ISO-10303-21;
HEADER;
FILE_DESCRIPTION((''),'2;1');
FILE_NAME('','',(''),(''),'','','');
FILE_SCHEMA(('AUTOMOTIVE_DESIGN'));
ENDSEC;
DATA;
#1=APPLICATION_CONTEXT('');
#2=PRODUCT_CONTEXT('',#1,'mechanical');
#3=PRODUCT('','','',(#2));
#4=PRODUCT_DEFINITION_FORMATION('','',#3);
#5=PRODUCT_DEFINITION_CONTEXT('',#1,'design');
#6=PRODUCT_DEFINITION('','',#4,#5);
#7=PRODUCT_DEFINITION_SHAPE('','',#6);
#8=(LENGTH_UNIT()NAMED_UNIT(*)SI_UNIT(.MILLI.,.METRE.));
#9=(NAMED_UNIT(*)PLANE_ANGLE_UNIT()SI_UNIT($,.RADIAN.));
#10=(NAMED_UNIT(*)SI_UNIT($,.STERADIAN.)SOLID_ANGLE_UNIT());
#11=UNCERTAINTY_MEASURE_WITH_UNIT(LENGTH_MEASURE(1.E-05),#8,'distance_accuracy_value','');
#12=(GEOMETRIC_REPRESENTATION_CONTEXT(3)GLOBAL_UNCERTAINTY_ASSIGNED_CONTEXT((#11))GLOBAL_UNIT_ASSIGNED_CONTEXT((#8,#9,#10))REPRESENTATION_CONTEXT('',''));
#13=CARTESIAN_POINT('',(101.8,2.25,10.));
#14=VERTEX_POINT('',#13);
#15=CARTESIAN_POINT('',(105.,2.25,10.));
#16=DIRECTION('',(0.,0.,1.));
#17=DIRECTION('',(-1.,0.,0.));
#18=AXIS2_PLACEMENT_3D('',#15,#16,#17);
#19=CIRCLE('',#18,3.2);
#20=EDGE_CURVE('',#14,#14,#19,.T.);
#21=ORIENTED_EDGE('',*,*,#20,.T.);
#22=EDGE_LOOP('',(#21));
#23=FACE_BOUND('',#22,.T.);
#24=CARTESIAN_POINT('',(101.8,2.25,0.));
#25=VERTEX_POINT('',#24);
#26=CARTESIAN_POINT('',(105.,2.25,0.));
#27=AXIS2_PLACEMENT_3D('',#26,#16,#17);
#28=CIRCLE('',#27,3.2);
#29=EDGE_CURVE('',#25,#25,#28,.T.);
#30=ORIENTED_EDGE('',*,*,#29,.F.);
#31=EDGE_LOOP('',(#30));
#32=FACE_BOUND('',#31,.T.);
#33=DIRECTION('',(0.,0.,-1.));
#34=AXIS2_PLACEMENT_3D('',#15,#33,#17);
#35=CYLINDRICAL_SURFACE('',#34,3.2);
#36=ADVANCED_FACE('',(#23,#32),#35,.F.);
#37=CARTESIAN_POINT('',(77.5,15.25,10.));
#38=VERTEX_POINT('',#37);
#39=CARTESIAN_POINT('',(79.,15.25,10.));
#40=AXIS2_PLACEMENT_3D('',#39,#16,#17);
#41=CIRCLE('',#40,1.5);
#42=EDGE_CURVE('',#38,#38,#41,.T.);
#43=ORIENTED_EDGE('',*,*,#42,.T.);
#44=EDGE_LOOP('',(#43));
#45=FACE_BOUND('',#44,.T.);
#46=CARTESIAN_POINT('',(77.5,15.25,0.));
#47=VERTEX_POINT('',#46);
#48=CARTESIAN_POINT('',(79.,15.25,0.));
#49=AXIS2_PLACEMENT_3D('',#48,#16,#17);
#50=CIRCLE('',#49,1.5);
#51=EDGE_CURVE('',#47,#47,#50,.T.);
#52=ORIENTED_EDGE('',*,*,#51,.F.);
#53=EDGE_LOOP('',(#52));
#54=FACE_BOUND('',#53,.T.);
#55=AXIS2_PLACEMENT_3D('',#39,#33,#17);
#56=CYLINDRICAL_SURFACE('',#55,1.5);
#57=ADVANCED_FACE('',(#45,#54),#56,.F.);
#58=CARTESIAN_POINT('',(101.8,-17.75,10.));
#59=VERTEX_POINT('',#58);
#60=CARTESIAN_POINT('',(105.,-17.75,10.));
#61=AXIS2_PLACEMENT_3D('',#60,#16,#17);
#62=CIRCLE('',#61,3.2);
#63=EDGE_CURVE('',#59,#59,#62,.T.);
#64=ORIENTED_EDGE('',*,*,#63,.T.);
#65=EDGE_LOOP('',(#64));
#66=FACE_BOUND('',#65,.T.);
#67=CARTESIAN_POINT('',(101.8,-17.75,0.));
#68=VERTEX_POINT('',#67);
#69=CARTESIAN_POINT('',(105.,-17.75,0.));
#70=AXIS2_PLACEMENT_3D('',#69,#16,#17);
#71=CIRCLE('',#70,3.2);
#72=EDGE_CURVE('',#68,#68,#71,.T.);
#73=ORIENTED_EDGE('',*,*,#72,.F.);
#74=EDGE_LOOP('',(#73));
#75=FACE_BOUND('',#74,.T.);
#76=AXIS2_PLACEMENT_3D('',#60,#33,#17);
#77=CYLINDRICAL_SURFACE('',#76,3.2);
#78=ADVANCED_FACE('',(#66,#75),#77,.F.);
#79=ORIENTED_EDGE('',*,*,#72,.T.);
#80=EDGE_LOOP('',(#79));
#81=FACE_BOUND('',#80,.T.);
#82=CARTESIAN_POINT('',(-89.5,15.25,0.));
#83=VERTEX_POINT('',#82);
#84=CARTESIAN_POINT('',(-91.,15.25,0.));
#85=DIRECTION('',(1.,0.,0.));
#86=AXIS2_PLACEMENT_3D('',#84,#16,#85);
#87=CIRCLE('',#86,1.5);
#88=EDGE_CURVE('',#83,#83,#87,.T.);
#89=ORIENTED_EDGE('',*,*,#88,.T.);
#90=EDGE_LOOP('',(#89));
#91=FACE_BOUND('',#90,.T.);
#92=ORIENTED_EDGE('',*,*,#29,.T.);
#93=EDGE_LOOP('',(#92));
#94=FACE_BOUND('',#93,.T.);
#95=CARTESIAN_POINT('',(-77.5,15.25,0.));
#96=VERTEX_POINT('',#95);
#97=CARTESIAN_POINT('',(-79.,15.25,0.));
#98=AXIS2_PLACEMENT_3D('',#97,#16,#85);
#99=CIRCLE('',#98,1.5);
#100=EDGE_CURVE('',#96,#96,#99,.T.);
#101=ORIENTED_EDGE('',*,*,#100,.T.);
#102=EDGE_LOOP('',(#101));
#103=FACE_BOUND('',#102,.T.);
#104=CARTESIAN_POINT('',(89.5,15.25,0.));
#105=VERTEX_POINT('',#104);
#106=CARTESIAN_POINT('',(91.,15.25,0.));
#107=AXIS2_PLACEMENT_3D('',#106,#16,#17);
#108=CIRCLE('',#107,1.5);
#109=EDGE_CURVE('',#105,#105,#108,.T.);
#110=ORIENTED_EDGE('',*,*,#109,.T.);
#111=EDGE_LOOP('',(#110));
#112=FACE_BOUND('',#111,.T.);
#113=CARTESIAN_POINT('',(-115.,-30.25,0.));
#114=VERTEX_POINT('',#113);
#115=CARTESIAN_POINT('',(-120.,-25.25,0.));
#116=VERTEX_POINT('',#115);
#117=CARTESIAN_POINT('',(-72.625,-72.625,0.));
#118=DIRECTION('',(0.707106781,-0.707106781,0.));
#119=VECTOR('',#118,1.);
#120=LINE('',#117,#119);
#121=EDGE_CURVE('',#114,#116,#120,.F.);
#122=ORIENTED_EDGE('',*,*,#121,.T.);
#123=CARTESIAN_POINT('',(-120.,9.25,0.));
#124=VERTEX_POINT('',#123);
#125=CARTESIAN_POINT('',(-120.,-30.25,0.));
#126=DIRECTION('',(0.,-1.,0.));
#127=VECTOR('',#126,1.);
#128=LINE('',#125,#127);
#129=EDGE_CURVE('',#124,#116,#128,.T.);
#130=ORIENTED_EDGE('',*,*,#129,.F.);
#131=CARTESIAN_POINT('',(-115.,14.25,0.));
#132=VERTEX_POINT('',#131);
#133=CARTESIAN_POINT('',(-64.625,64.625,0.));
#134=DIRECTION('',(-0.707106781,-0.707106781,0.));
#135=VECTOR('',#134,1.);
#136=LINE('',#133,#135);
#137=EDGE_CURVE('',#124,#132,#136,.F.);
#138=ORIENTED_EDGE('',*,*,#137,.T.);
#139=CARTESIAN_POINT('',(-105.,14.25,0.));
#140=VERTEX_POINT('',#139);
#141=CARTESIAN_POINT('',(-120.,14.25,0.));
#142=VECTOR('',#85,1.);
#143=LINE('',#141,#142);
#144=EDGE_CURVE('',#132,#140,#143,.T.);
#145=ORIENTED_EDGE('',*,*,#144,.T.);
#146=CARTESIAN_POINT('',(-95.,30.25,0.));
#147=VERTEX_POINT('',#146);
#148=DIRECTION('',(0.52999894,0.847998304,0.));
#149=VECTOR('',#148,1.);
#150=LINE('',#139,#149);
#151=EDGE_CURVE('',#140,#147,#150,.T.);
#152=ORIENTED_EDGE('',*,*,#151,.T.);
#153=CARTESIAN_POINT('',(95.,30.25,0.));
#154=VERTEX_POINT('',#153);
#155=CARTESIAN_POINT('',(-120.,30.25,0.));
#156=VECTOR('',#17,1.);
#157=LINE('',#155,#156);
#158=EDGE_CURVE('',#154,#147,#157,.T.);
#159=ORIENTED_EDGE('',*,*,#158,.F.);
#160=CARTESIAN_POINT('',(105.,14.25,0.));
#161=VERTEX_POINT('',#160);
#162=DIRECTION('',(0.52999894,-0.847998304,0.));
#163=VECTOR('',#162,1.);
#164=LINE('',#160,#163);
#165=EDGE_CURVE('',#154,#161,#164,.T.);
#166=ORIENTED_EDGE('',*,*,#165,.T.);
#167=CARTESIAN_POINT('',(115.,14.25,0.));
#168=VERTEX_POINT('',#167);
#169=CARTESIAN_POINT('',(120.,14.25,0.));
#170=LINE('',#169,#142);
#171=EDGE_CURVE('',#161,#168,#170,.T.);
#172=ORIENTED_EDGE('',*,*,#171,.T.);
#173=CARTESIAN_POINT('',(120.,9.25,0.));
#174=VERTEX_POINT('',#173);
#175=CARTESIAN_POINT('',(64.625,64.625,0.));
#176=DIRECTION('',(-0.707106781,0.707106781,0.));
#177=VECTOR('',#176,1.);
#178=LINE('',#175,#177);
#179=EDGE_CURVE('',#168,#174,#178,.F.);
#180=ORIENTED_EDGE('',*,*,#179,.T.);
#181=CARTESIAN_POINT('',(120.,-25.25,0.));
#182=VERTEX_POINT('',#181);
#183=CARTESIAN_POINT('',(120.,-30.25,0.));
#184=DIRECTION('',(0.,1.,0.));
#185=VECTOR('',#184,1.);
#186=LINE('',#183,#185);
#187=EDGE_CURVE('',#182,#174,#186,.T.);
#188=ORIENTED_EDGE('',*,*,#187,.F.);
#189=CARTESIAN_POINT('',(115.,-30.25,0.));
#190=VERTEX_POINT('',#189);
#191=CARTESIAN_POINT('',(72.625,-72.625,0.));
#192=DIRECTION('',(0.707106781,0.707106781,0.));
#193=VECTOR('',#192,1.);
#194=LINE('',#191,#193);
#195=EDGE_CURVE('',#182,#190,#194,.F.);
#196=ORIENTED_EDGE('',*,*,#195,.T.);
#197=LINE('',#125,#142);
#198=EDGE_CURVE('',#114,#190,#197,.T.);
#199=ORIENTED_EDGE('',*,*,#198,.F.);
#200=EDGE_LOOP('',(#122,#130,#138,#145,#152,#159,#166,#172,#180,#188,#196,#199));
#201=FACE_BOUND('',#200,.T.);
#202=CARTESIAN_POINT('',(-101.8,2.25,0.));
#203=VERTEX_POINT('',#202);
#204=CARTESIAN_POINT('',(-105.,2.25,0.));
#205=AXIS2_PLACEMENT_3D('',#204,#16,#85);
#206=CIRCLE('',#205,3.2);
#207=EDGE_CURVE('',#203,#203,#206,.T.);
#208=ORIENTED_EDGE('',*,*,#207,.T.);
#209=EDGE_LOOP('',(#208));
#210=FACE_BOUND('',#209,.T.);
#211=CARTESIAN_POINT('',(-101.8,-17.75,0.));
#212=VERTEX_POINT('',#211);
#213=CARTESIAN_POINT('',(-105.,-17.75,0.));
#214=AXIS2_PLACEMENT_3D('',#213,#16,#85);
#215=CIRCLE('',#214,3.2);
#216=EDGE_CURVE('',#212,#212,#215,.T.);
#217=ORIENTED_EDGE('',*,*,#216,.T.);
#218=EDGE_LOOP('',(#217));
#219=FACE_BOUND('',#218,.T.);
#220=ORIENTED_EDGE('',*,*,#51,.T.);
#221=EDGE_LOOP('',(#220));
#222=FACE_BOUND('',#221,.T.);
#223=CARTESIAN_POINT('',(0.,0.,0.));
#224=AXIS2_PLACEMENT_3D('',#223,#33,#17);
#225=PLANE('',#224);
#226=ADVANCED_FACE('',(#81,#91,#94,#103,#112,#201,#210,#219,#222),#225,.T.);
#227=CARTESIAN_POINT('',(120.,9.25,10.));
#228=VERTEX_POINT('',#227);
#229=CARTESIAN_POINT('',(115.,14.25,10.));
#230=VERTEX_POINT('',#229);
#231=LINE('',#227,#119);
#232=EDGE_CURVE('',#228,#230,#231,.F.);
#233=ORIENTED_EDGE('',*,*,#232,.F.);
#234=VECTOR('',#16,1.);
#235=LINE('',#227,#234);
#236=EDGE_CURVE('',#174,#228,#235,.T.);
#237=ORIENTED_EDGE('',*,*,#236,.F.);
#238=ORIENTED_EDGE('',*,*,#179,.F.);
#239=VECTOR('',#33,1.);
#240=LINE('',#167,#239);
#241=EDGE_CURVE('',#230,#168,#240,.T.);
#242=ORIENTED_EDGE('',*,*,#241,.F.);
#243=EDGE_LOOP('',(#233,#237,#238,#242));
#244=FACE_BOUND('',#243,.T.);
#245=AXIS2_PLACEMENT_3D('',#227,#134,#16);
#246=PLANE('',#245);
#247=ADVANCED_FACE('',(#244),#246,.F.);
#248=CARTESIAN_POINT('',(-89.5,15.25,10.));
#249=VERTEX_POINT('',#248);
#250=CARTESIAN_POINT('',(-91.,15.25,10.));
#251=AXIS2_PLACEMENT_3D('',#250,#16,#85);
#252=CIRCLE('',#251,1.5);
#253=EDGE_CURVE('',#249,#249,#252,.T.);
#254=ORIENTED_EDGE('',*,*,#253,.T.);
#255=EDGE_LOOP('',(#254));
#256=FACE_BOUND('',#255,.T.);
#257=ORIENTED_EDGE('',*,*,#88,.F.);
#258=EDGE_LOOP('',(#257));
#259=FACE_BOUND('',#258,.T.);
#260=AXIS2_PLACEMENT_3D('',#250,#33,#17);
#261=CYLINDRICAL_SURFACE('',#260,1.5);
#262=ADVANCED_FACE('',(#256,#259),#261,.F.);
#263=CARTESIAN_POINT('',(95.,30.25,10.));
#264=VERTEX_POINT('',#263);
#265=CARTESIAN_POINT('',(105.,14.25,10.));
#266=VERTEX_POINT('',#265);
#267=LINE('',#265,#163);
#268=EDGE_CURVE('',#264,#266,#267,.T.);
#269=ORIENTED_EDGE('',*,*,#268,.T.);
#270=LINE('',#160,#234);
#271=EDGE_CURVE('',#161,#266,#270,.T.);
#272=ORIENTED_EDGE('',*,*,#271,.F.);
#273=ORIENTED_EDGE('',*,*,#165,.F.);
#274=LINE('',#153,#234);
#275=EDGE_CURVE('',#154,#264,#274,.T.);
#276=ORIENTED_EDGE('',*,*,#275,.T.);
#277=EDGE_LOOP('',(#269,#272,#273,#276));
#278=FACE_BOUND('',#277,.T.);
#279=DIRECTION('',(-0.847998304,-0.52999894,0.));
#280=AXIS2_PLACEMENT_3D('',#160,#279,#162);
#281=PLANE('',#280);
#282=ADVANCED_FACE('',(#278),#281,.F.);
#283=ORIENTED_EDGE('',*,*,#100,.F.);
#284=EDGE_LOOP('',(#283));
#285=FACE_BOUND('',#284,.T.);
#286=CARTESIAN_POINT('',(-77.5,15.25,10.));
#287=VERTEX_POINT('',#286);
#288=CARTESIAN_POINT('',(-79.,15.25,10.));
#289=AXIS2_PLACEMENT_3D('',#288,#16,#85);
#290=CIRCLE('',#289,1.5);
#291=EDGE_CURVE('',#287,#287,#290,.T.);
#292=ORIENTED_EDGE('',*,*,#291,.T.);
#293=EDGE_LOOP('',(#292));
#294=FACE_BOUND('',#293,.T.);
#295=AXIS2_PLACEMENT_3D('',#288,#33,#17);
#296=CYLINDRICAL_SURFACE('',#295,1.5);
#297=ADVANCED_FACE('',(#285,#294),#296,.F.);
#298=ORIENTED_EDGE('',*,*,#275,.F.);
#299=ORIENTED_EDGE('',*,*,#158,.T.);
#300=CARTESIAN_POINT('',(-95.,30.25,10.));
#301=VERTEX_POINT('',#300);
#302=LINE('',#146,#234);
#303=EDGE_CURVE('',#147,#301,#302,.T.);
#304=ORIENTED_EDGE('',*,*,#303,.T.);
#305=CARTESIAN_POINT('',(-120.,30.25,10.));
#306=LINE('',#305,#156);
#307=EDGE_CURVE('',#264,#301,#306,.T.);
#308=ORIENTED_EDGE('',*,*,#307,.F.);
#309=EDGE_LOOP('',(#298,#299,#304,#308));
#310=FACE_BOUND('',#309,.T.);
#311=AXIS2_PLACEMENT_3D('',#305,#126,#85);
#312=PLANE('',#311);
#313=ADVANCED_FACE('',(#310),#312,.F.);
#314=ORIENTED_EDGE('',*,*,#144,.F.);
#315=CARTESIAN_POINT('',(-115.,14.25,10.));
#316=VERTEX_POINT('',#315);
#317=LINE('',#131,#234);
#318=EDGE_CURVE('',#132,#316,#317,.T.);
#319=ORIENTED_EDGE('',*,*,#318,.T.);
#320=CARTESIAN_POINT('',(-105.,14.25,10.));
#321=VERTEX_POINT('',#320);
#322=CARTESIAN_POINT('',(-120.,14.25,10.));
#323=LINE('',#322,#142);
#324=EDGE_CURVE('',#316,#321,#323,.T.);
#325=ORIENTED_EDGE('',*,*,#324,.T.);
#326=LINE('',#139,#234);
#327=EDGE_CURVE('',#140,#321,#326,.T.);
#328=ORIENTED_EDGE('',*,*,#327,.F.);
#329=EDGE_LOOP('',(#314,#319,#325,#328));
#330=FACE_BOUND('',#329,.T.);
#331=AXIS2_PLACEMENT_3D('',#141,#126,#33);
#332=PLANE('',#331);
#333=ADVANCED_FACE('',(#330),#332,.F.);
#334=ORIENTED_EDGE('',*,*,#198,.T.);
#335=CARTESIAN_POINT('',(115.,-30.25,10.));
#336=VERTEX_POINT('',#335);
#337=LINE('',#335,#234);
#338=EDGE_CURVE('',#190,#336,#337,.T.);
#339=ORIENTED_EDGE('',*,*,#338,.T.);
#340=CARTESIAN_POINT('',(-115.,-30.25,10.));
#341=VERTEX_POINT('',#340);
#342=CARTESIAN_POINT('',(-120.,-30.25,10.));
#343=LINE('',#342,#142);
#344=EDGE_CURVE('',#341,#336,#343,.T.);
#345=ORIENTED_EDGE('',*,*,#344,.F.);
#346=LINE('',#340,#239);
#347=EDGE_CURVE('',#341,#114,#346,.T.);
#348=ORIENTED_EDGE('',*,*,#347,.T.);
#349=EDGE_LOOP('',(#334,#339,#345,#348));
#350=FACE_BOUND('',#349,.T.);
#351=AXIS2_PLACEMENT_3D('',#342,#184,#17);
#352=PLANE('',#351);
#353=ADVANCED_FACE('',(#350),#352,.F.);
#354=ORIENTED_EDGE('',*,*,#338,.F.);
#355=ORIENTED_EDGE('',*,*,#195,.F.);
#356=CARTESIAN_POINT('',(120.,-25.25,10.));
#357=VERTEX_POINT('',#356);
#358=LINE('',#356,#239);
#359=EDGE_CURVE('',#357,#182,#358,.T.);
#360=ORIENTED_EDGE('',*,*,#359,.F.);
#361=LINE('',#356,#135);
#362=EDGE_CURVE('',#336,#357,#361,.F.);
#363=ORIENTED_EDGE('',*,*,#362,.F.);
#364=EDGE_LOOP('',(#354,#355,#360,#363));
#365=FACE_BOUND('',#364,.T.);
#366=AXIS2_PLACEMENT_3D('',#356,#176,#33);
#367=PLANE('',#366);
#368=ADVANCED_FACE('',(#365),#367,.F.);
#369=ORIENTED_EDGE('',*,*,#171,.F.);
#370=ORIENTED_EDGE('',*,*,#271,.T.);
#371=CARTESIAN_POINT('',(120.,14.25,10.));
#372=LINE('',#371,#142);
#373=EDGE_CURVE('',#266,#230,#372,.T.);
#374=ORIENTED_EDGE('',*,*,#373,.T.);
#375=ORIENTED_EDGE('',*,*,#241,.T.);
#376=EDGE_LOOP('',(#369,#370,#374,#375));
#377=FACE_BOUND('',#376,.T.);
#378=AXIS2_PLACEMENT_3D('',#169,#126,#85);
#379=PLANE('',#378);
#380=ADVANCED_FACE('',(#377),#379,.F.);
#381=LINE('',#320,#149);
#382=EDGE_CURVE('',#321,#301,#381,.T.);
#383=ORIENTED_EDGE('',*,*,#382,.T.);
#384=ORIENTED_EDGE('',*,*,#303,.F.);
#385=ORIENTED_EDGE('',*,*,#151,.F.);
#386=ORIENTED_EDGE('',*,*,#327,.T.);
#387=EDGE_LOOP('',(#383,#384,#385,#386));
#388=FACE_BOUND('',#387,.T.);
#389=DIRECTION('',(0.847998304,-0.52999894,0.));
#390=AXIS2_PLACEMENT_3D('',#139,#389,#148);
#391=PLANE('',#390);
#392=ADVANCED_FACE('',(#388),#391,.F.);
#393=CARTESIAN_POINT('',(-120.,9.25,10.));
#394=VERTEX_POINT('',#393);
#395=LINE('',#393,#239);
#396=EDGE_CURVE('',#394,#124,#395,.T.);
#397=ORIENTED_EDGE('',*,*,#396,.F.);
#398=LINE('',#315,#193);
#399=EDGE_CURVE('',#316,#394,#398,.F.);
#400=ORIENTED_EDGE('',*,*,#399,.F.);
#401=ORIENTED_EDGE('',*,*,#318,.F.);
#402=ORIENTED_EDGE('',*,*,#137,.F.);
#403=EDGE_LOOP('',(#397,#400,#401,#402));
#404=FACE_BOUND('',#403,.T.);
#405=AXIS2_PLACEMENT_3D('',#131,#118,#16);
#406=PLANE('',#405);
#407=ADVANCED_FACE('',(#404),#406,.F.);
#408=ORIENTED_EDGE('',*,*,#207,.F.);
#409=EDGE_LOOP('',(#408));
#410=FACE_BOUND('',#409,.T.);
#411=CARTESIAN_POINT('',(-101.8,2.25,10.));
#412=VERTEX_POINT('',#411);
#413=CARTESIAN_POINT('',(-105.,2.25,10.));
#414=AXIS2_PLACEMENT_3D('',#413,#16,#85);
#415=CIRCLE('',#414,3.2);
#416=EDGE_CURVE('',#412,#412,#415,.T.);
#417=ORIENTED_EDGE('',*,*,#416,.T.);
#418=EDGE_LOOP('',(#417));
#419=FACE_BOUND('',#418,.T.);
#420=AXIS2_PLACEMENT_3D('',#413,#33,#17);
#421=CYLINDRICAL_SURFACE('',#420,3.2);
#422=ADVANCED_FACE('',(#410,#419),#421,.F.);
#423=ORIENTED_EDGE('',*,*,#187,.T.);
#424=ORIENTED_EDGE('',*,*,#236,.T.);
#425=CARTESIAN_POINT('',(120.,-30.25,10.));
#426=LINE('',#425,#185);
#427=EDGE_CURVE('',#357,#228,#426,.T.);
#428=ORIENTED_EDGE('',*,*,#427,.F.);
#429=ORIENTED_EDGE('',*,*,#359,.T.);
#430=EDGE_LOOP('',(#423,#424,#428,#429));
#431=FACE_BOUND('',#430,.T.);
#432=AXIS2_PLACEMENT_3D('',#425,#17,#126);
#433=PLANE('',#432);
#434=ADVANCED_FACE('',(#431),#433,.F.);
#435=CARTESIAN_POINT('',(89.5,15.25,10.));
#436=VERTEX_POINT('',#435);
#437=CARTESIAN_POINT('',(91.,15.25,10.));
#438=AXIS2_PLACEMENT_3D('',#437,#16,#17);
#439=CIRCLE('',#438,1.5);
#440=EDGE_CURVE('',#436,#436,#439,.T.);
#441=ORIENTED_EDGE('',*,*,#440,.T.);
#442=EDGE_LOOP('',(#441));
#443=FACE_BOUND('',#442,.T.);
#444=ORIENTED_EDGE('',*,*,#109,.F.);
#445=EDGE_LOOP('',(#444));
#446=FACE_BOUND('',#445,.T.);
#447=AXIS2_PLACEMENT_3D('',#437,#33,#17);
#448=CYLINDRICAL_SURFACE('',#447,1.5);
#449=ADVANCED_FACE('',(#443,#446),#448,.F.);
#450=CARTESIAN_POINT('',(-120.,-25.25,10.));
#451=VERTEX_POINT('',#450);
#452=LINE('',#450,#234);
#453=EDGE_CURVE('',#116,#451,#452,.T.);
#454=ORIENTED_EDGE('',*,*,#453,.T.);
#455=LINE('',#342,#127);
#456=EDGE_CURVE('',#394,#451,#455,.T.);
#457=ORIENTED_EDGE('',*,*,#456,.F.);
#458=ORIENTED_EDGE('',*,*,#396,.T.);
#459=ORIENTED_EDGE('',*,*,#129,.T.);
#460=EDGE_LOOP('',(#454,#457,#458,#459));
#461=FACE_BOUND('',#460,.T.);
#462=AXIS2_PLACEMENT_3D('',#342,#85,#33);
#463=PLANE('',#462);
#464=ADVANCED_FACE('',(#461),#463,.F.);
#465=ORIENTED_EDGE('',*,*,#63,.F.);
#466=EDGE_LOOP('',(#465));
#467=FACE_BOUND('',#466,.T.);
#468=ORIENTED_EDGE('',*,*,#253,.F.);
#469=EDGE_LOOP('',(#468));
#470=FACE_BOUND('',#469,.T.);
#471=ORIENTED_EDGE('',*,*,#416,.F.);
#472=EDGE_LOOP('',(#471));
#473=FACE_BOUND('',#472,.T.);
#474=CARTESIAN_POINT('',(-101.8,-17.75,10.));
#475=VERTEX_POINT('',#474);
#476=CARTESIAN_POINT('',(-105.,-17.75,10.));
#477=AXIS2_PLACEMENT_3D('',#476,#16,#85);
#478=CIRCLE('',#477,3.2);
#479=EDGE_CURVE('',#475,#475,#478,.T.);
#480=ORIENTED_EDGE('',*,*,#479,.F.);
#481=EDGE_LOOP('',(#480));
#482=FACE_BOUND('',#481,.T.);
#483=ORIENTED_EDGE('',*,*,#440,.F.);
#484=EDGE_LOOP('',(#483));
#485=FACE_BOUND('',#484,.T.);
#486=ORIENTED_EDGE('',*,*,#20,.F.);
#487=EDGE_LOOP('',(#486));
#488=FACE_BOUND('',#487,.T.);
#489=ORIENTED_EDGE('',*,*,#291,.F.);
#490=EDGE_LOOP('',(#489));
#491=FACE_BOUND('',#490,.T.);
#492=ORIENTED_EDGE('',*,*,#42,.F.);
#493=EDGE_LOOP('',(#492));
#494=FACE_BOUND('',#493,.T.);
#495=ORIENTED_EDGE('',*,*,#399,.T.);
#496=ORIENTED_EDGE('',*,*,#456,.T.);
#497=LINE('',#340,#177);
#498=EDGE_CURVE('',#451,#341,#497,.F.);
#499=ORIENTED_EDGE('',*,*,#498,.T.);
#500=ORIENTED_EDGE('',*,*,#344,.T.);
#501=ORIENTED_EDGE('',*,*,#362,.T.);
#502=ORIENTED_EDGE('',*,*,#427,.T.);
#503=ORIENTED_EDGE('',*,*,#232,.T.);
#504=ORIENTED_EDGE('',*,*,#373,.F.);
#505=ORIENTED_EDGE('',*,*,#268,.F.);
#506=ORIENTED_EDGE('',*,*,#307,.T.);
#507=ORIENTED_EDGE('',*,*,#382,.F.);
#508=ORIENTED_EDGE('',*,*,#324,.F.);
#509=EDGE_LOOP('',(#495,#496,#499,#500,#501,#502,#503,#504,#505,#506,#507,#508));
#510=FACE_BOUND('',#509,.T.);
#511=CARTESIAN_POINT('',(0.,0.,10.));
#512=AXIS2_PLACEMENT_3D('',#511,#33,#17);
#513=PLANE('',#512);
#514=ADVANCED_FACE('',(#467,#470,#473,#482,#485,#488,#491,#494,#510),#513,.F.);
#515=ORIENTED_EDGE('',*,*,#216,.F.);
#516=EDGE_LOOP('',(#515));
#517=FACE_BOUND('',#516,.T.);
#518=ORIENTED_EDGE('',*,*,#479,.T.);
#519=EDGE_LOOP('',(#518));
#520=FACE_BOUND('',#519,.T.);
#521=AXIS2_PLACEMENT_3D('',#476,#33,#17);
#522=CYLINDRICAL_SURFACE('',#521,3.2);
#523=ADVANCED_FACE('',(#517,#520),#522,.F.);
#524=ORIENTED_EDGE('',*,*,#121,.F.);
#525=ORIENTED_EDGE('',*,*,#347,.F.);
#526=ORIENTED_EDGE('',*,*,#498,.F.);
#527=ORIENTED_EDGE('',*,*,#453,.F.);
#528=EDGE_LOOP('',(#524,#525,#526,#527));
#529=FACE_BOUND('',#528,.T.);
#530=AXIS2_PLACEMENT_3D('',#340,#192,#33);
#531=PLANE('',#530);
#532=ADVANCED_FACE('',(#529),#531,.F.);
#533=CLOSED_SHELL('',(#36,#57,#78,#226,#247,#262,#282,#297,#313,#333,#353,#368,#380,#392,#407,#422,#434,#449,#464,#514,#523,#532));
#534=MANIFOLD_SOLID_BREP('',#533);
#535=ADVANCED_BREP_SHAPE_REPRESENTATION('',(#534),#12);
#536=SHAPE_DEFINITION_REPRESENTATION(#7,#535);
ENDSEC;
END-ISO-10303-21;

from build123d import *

# Parameters (mm, degrees)
SKETCH1_W           = 240
SKETCH1_H           = 60.5
SKETCH1_R           = 3.2
SKETCH1_R_2         = 1.5
BOSS_EXTRUDE1_DEPTH = 10
CUT_EXTRUDE1_DEPTH  = 11
CHAMFER3_SIZE       = 5


with BuildPart() as part:
    # Sketch1 → Boss-Extrude1 (new body)
    with BuildSketch(Plane.XY):
        Rectangle(SKETCH1_W, SKETCH1_H)
        with Locations((-105, 2.25)):
            Circle(SKETCH1_R, mode=Mode.SUBTRACT)
        with Locations((-105, -17.75)):
            Circle(SKETCH1_R, mode=Mode.SUBTRACT)
        with Locations((105, -17.75)):
            Circle(SKETCH1_R, mode=Mode.SUBTRACT)
        with Locations((105, 2.25)):
            Circle(SKETCH1_R, mode=Mode.SUBTRACT)
        with Locations((-91, 15.25)):
            Circle(SKETCH1_R_2, mode=Mode.SUBTRACT)
        with Locations((-79, 15.25)):
            Circle(SKETCH1_R_2, mode=Mode.SUBTRACT)
        with Locations((79, 15.25)):
            Circle(SKETCH1_R_2, mode=Mode.SUBTRACT)
        with Locations((91, 15.25)):
            Circle(SKETCH1_R_2, mode=Mode.SUBTRACT)
    extrude(amount=BOSS_EXTRUDE1_DEPTH)

    # Sketch2 → Cut-Extrude1 (cut, through all)
    with BuildSketch(Plane.XY.offset(10)):
        Polygon((-120, 14.25), (-105, 14.25), (-95, 30.25), (-120, 30.25), align=None)
        Polygon((120, 30.25), (120, 14.25), (105, 14.25), (95, 30.25), align=None)
    extrude(amount=-CUT_EXTRUDE1_DEPTH, mode=Mode.SUBTRACT)

    # Chamfer3
    chamfer3_edges = [part.edges().sort_by_distance(p)[0] for p in [
        (-120, 14.25, 5),
        (120, 14.25, 5),
        (120, -30.25, 5),
        (-120, -30.25, 5),
    ]]
    chamfer(chamfer3_edges, length=CHAMFER3_SIZE)


solid = part.part
